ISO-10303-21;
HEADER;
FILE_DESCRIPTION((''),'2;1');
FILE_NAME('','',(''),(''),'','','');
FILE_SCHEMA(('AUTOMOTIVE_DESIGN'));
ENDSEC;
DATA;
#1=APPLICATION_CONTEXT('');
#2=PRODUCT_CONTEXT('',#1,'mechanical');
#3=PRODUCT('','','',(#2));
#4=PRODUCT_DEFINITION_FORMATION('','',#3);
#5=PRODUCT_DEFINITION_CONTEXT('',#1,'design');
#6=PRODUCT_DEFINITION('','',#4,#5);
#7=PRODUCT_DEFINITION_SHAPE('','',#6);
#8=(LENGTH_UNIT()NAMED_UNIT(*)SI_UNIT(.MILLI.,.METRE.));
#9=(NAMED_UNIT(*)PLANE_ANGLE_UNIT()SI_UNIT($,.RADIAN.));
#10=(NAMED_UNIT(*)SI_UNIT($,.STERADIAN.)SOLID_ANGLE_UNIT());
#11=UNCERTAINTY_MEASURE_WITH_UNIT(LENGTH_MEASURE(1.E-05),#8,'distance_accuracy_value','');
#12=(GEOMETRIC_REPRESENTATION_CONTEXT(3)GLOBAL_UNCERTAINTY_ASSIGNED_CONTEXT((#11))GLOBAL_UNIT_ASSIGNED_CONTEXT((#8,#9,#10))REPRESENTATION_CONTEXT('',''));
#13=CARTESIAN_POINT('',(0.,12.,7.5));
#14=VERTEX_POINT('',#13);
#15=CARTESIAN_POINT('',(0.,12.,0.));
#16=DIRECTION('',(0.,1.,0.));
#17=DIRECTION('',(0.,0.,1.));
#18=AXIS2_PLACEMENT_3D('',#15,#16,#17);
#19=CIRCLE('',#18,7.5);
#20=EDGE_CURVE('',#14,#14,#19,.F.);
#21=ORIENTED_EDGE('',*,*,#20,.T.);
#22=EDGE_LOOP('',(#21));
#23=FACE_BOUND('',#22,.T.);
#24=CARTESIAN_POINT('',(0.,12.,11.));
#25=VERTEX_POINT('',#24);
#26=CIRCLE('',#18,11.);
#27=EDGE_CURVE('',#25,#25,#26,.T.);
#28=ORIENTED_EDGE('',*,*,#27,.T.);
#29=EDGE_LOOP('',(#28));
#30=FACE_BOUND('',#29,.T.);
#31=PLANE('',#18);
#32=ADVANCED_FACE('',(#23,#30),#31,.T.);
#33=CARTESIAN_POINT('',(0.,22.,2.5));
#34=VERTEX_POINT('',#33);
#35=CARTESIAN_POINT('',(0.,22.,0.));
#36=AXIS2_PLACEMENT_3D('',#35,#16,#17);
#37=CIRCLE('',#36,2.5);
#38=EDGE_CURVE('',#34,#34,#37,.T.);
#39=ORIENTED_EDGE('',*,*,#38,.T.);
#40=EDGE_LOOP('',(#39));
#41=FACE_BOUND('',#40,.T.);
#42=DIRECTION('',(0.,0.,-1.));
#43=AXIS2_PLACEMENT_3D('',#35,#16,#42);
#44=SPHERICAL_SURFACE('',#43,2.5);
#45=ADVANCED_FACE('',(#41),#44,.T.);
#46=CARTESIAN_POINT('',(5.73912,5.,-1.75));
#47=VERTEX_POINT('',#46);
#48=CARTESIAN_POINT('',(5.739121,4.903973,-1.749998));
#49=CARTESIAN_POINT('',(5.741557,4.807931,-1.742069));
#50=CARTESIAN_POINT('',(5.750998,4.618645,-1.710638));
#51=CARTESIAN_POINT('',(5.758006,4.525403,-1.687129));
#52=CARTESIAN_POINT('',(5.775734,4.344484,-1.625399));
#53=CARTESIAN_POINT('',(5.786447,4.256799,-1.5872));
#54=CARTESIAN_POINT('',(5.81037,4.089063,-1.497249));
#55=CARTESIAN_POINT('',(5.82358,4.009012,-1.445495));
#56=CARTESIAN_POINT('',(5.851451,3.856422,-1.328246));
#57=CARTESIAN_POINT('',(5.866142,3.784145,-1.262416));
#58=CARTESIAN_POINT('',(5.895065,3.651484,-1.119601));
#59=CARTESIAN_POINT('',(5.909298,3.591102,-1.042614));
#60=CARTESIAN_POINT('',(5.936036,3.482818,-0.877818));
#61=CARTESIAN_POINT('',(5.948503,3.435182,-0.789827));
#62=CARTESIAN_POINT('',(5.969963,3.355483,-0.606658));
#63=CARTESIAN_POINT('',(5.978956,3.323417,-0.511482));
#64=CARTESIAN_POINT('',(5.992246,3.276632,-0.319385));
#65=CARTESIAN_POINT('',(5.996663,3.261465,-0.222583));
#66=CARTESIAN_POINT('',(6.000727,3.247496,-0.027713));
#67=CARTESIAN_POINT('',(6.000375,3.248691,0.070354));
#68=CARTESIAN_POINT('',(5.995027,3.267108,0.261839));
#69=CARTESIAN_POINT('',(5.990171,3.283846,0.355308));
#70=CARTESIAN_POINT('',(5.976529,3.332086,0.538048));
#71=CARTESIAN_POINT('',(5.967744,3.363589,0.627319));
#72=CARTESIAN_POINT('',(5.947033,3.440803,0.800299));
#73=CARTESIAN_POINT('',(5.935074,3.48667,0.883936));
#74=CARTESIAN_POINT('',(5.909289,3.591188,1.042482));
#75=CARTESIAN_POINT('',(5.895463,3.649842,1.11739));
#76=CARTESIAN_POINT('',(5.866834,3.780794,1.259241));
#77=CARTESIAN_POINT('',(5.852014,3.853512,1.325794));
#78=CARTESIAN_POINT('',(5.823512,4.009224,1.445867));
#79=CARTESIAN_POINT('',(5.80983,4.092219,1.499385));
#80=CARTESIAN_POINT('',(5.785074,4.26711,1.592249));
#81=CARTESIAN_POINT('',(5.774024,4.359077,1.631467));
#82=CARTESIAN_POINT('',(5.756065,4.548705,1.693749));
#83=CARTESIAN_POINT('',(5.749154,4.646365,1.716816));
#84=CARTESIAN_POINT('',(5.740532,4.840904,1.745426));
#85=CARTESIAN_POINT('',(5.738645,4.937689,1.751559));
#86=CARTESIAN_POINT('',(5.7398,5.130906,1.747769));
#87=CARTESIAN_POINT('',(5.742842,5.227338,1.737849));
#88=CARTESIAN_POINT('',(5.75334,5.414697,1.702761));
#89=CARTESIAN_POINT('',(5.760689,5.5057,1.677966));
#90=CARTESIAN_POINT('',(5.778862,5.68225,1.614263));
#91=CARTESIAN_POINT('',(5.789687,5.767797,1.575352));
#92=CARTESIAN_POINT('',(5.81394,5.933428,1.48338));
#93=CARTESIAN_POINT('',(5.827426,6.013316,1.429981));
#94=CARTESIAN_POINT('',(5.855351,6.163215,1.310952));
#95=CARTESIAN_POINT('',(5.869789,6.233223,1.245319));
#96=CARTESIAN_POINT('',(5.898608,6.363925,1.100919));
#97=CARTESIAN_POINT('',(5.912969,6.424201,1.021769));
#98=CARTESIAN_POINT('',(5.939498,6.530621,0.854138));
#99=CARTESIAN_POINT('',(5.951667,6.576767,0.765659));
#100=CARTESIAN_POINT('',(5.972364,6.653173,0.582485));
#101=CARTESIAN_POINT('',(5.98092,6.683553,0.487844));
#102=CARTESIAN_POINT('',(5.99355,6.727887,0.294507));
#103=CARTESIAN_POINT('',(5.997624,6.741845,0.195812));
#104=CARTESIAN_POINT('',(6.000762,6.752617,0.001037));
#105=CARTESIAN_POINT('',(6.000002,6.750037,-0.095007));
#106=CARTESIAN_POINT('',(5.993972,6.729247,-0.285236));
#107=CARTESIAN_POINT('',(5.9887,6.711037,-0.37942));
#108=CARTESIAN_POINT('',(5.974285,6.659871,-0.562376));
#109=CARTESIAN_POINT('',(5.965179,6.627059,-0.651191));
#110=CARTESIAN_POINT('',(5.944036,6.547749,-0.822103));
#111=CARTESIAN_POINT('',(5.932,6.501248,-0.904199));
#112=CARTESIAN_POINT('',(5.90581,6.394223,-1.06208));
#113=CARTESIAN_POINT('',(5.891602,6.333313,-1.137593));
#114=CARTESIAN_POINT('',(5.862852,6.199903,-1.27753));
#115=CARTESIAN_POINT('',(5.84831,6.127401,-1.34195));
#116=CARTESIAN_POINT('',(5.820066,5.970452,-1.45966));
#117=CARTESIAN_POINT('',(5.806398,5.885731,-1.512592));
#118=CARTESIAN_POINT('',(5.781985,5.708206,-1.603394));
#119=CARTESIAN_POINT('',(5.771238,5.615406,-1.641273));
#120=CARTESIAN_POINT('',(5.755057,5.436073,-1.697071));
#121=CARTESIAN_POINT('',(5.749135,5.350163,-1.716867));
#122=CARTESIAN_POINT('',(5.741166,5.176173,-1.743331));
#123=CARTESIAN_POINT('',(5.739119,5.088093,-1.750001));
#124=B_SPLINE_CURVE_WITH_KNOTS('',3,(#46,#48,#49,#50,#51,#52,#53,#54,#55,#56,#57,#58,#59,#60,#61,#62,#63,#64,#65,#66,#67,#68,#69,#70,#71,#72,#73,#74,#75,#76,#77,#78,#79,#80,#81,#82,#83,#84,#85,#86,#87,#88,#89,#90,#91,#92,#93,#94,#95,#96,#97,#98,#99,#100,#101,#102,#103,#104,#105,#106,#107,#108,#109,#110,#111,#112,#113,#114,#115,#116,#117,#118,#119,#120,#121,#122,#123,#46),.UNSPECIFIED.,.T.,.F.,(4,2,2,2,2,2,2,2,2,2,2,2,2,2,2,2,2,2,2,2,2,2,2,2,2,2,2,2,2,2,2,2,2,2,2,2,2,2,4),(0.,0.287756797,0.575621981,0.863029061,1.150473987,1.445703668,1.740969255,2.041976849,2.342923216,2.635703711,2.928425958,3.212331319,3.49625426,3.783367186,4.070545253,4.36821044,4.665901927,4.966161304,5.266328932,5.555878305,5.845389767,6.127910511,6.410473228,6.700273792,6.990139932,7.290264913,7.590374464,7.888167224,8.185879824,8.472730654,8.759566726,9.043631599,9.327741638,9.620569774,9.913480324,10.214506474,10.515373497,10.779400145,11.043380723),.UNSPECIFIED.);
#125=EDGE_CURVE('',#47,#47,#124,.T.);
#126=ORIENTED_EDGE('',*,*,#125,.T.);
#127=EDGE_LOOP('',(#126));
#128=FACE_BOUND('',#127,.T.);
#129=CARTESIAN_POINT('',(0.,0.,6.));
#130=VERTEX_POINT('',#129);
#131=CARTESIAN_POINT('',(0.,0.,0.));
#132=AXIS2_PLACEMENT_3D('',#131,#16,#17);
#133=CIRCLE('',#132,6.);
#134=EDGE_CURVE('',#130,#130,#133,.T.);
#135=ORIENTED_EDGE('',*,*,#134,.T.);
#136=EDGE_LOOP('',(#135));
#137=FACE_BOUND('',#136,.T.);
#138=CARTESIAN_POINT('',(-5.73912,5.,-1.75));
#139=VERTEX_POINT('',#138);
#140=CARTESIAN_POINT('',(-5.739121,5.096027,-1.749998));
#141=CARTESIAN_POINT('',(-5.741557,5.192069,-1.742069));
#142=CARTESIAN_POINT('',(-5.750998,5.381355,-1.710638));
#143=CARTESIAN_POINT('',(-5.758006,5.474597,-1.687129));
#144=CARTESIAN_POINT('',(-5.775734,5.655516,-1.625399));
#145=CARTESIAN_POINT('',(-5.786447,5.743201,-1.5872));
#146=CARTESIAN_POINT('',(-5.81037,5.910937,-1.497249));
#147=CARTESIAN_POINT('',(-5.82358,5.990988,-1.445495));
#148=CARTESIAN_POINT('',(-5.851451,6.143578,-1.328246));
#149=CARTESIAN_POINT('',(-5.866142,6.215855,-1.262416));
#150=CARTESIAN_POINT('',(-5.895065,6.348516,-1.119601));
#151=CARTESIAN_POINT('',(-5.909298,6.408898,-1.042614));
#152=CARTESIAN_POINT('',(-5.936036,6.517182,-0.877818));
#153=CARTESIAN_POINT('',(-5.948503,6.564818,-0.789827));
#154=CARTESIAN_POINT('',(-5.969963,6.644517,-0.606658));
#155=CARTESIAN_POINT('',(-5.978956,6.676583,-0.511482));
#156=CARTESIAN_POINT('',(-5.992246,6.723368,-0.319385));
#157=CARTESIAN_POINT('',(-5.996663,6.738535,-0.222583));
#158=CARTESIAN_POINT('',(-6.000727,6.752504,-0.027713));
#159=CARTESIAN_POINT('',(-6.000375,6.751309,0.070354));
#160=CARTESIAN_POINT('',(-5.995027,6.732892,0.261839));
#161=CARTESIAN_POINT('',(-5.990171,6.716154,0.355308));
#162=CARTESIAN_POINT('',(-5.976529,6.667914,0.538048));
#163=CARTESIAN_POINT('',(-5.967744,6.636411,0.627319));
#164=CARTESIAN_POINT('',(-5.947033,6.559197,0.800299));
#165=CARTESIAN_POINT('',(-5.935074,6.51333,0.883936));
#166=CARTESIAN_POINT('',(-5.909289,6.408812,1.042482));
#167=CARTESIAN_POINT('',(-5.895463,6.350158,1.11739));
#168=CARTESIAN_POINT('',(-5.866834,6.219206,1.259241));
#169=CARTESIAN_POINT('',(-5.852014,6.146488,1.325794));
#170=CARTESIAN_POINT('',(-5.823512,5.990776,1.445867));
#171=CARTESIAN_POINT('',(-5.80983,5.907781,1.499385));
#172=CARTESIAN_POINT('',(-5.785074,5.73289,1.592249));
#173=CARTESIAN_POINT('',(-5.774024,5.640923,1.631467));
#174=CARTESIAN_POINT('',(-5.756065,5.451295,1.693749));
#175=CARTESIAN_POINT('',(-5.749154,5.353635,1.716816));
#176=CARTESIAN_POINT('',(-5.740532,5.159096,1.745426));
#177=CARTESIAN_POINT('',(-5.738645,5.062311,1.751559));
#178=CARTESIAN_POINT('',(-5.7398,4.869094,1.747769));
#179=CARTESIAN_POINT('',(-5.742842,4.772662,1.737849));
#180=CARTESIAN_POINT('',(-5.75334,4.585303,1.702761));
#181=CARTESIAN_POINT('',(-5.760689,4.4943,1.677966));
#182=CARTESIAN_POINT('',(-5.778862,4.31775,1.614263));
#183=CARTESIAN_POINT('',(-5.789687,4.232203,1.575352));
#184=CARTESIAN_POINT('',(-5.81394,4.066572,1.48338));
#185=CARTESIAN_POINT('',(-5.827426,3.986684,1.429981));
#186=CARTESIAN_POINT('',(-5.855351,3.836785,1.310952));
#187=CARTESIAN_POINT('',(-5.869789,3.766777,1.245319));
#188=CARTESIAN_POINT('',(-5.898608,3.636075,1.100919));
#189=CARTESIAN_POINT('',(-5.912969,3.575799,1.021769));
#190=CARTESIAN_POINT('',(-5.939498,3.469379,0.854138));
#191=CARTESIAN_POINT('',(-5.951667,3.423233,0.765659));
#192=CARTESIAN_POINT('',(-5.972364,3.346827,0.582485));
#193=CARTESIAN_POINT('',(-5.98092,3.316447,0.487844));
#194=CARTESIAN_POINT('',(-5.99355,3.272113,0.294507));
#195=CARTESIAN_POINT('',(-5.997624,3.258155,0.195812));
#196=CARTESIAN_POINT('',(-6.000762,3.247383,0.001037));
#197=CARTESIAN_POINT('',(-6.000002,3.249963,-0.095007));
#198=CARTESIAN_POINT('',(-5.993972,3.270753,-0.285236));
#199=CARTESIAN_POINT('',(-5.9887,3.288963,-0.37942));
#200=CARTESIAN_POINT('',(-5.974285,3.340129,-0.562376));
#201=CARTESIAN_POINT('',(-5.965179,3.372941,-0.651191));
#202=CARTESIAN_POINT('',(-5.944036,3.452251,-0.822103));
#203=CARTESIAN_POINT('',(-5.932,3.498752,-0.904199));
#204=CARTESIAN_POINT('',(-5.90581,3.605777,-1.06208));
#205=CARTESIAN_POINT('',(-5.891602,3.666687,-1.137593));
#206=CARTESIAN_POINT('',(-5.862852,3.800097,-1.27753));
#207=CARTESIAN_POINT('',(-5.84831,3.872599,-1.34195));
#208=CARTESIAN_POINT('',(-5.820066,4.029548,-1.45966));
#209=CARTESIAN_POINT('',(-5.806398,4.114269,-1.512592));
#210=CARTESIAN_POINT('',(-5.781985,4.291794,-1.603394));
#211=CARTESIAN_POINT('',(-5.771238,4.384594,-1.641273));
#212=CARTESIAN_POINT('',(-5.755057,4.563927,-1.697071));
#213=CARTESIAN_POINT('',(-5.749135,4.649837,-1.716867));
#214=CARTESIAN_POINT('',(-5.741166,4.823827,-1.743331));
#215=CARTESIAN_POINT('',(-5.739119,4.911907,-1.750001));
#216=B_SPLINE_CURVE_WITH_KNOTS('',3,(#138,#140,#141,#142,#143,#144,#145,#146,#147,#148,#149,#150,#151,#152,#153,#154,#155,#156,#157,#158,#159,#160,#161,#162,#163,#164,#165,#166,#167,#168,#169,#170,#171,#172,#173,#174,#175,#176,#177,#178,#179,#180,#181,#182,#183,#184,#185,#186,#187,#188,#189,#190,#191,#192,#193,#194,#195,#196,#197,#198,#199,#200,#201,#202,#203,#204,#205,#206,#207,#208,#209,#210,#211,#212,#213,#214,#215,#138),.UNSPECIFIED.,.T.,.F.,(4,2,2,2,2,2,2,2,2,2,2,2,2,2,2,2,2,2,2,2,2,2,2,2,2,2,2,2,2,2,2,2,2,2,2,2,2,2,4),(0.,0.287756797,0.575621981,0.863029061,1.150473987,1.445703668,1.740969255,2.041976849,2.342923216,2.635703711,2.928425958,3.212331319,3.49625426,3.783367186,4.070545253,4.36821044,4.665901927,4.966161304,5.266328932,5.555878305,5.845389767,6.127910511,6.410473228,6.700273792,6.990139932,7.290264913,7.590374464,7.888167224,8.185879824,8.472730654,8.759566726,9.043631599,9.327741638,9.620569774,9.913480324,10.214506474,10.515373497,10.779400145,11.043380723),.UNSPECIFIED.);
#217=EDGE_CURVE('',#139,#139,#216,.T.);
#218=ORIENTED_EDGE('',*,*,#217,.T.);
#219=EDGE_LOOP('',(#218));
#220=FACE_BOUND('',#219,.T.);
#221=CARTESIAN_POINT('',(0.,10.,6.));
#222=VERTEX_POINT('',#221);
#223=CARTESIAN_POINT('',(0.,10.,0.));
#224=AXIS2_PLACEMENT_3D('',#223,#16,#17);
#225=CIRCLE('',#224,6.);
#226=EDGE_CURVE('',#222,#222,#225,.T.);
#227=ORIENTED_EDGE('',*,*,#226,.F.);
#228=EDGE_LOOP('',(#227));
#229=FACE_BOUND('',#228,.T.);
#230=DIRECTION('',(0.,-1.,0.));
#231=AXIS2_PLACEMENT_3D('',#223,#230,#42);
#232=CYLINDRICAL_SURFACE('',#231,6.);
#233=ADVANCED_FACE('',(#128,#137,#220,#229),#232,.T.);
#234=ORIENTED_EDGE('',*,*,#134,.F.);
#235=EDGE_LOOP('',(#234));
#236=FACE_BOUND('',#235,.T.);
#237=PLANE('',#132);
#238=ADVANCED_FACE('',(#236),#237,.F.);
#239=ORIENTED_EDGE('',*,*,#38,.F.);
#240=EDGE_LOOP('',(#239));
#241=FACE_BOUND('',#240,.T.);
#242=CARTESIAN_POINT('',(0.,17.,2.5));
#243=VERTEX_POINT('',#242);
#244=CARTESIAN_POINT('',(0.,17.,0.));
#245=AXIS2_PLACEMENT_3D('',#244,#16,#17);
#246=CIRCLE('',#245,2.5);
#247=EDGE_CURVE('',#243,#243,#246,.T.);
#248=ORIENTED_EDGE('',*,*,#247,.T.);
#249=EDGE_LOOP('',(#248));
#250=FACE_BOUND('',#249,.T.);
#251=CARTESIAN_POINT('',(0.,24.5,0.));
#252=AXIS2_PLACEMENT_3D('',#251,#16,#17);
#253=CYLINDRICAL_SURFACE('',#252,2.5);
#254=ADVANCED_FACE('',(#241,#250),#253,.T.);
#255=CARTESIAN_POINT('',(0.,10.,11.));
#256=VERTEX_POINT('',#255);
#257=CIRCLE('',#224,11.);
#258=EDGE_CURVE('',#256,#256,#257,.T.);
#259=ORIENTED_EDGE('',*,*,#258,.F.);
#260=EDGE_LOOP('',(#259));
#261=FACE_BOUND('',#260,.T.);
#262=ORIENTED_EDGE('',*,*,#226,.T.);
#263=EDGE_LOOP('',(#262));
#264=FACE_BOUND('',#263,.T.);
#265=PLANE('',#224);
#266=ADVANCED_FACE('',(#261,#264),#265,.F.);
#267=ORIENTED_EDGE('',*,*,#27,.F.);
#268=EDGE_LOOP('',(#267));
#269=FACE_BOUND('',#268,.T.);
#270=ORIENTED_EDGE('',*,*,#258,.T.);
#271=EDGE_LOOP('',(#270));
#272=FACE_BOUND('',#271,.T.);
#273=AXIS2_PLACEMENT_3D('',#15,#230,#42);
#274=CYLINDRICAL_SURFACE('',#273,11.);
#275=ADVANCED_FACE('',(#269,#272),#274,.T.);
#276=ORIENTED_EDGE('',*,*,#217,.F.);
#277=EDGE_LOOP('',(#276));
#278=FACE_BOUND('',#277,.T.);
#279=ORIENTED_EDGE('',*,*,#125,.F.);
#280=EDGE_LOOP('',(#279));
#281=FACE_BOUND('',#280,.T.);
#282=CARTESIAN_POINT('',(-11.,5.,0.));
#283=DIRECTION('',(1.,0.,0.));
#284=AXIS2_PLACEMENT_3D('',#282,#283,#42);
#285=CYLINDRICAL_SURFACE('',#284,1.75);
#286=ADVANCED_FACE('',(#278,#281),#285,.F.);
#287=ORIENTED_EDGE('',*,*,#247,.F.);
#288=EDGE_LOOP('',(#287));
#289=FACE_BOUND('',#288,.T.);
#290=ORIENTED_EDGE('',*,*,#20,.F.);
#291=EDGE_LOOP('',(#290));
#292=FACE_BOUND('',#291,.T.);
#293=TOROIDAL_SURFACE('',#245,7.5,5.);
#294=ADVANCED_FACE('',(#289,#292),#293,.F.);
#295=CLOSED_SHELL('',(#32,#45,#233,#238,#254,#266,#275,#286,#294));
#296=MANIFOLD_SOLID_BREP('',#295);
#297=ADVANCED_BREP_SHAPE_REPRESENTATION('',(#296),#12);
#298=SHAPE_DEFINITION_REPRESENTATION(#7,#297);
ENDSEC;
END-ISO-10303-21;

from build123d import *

# Parameters (mm, degrees)
SKETCH1_R               = 6
BOSS_EXTRUDE1_DEPTH     = 10
SKETCH2_R               = 11
BOSS_EXTRUDE2_DEPTH     = 2
FILLET1_R               = 5
SKETCH5_R               = 1.75
CUT_EXTRUDE1_DEPTH      = 12
CUT_EXTRUDE1_DEPTH_BACK = 12


with BuildPart() as part:
    # Sketch1 → Boss-Extrude1 (new body)
    with BuildSketch(Plane(origin=(0, 0, 0), x_dir=(1, 0, 0), z_dir=(0, 1, 0))):
        Circle(SKETCH1_R)
    extrude(amount=BOSS_EXTRUDE1_DEPTH)

    # Sketch2 → Boss-Extrude2 (add)
    with BuildSketch(Plane(origin=(0, 10, 0), x_dir=(1, 0, 0), z_dir=(0, 1, 0))):
        Circle(SKETCH2_R)
    extrude(amount=BOSS_EXTRUDE2_DEPTH)

    # Sketch3 → Revolve1 (revolve)
    with BuildSketch(Plane(origin=(0, 0, 0), x_dir=(0, 0, -1), z_dir=(1, 0, 0))):
        with BuildLine():
            Line((0, 12), (-2.5, 12))
            Line((-2.5, 12), (-2.5, 22))
            ThreePointArc((-2.5, 22), (-1.767766953, 23.767766953), (0, 24.5))
            Line((0, 24.5), (0, 12))
        make_face()
    revolve(axis=Axis((0, 24.5, 0), (0, -1, 0)))

    # Fillet1
    fillet1_edges = [part.edges().sort_by_distance(p)[0] for p in [
        (0, 12, -2.5),
    ]]
    fillet(fillet1_edges, radius=FILLET1_R)

    # Sketch5 → Cut-Extrude1 (cut, two sides)
    with BuildSketch(Plane(origin=(0, 0, 0), x_dir=(0, 0, -1), z_dir=(1, 0, 0))) as cut_extrude1_sk:
        with Locations((0, 5)):
            Circle(SKETCH5_R)
    extrude(amount=CUT_EXTRUDE1_DEPTH, mode=Mode.SUBTRACT)
    extrude(cut_extrude1_sk.sketch, amount=-CUT_EXTRUDE1_DEPTH_BACK, mode=Mode.SUBTRACT)


solid = part.part
